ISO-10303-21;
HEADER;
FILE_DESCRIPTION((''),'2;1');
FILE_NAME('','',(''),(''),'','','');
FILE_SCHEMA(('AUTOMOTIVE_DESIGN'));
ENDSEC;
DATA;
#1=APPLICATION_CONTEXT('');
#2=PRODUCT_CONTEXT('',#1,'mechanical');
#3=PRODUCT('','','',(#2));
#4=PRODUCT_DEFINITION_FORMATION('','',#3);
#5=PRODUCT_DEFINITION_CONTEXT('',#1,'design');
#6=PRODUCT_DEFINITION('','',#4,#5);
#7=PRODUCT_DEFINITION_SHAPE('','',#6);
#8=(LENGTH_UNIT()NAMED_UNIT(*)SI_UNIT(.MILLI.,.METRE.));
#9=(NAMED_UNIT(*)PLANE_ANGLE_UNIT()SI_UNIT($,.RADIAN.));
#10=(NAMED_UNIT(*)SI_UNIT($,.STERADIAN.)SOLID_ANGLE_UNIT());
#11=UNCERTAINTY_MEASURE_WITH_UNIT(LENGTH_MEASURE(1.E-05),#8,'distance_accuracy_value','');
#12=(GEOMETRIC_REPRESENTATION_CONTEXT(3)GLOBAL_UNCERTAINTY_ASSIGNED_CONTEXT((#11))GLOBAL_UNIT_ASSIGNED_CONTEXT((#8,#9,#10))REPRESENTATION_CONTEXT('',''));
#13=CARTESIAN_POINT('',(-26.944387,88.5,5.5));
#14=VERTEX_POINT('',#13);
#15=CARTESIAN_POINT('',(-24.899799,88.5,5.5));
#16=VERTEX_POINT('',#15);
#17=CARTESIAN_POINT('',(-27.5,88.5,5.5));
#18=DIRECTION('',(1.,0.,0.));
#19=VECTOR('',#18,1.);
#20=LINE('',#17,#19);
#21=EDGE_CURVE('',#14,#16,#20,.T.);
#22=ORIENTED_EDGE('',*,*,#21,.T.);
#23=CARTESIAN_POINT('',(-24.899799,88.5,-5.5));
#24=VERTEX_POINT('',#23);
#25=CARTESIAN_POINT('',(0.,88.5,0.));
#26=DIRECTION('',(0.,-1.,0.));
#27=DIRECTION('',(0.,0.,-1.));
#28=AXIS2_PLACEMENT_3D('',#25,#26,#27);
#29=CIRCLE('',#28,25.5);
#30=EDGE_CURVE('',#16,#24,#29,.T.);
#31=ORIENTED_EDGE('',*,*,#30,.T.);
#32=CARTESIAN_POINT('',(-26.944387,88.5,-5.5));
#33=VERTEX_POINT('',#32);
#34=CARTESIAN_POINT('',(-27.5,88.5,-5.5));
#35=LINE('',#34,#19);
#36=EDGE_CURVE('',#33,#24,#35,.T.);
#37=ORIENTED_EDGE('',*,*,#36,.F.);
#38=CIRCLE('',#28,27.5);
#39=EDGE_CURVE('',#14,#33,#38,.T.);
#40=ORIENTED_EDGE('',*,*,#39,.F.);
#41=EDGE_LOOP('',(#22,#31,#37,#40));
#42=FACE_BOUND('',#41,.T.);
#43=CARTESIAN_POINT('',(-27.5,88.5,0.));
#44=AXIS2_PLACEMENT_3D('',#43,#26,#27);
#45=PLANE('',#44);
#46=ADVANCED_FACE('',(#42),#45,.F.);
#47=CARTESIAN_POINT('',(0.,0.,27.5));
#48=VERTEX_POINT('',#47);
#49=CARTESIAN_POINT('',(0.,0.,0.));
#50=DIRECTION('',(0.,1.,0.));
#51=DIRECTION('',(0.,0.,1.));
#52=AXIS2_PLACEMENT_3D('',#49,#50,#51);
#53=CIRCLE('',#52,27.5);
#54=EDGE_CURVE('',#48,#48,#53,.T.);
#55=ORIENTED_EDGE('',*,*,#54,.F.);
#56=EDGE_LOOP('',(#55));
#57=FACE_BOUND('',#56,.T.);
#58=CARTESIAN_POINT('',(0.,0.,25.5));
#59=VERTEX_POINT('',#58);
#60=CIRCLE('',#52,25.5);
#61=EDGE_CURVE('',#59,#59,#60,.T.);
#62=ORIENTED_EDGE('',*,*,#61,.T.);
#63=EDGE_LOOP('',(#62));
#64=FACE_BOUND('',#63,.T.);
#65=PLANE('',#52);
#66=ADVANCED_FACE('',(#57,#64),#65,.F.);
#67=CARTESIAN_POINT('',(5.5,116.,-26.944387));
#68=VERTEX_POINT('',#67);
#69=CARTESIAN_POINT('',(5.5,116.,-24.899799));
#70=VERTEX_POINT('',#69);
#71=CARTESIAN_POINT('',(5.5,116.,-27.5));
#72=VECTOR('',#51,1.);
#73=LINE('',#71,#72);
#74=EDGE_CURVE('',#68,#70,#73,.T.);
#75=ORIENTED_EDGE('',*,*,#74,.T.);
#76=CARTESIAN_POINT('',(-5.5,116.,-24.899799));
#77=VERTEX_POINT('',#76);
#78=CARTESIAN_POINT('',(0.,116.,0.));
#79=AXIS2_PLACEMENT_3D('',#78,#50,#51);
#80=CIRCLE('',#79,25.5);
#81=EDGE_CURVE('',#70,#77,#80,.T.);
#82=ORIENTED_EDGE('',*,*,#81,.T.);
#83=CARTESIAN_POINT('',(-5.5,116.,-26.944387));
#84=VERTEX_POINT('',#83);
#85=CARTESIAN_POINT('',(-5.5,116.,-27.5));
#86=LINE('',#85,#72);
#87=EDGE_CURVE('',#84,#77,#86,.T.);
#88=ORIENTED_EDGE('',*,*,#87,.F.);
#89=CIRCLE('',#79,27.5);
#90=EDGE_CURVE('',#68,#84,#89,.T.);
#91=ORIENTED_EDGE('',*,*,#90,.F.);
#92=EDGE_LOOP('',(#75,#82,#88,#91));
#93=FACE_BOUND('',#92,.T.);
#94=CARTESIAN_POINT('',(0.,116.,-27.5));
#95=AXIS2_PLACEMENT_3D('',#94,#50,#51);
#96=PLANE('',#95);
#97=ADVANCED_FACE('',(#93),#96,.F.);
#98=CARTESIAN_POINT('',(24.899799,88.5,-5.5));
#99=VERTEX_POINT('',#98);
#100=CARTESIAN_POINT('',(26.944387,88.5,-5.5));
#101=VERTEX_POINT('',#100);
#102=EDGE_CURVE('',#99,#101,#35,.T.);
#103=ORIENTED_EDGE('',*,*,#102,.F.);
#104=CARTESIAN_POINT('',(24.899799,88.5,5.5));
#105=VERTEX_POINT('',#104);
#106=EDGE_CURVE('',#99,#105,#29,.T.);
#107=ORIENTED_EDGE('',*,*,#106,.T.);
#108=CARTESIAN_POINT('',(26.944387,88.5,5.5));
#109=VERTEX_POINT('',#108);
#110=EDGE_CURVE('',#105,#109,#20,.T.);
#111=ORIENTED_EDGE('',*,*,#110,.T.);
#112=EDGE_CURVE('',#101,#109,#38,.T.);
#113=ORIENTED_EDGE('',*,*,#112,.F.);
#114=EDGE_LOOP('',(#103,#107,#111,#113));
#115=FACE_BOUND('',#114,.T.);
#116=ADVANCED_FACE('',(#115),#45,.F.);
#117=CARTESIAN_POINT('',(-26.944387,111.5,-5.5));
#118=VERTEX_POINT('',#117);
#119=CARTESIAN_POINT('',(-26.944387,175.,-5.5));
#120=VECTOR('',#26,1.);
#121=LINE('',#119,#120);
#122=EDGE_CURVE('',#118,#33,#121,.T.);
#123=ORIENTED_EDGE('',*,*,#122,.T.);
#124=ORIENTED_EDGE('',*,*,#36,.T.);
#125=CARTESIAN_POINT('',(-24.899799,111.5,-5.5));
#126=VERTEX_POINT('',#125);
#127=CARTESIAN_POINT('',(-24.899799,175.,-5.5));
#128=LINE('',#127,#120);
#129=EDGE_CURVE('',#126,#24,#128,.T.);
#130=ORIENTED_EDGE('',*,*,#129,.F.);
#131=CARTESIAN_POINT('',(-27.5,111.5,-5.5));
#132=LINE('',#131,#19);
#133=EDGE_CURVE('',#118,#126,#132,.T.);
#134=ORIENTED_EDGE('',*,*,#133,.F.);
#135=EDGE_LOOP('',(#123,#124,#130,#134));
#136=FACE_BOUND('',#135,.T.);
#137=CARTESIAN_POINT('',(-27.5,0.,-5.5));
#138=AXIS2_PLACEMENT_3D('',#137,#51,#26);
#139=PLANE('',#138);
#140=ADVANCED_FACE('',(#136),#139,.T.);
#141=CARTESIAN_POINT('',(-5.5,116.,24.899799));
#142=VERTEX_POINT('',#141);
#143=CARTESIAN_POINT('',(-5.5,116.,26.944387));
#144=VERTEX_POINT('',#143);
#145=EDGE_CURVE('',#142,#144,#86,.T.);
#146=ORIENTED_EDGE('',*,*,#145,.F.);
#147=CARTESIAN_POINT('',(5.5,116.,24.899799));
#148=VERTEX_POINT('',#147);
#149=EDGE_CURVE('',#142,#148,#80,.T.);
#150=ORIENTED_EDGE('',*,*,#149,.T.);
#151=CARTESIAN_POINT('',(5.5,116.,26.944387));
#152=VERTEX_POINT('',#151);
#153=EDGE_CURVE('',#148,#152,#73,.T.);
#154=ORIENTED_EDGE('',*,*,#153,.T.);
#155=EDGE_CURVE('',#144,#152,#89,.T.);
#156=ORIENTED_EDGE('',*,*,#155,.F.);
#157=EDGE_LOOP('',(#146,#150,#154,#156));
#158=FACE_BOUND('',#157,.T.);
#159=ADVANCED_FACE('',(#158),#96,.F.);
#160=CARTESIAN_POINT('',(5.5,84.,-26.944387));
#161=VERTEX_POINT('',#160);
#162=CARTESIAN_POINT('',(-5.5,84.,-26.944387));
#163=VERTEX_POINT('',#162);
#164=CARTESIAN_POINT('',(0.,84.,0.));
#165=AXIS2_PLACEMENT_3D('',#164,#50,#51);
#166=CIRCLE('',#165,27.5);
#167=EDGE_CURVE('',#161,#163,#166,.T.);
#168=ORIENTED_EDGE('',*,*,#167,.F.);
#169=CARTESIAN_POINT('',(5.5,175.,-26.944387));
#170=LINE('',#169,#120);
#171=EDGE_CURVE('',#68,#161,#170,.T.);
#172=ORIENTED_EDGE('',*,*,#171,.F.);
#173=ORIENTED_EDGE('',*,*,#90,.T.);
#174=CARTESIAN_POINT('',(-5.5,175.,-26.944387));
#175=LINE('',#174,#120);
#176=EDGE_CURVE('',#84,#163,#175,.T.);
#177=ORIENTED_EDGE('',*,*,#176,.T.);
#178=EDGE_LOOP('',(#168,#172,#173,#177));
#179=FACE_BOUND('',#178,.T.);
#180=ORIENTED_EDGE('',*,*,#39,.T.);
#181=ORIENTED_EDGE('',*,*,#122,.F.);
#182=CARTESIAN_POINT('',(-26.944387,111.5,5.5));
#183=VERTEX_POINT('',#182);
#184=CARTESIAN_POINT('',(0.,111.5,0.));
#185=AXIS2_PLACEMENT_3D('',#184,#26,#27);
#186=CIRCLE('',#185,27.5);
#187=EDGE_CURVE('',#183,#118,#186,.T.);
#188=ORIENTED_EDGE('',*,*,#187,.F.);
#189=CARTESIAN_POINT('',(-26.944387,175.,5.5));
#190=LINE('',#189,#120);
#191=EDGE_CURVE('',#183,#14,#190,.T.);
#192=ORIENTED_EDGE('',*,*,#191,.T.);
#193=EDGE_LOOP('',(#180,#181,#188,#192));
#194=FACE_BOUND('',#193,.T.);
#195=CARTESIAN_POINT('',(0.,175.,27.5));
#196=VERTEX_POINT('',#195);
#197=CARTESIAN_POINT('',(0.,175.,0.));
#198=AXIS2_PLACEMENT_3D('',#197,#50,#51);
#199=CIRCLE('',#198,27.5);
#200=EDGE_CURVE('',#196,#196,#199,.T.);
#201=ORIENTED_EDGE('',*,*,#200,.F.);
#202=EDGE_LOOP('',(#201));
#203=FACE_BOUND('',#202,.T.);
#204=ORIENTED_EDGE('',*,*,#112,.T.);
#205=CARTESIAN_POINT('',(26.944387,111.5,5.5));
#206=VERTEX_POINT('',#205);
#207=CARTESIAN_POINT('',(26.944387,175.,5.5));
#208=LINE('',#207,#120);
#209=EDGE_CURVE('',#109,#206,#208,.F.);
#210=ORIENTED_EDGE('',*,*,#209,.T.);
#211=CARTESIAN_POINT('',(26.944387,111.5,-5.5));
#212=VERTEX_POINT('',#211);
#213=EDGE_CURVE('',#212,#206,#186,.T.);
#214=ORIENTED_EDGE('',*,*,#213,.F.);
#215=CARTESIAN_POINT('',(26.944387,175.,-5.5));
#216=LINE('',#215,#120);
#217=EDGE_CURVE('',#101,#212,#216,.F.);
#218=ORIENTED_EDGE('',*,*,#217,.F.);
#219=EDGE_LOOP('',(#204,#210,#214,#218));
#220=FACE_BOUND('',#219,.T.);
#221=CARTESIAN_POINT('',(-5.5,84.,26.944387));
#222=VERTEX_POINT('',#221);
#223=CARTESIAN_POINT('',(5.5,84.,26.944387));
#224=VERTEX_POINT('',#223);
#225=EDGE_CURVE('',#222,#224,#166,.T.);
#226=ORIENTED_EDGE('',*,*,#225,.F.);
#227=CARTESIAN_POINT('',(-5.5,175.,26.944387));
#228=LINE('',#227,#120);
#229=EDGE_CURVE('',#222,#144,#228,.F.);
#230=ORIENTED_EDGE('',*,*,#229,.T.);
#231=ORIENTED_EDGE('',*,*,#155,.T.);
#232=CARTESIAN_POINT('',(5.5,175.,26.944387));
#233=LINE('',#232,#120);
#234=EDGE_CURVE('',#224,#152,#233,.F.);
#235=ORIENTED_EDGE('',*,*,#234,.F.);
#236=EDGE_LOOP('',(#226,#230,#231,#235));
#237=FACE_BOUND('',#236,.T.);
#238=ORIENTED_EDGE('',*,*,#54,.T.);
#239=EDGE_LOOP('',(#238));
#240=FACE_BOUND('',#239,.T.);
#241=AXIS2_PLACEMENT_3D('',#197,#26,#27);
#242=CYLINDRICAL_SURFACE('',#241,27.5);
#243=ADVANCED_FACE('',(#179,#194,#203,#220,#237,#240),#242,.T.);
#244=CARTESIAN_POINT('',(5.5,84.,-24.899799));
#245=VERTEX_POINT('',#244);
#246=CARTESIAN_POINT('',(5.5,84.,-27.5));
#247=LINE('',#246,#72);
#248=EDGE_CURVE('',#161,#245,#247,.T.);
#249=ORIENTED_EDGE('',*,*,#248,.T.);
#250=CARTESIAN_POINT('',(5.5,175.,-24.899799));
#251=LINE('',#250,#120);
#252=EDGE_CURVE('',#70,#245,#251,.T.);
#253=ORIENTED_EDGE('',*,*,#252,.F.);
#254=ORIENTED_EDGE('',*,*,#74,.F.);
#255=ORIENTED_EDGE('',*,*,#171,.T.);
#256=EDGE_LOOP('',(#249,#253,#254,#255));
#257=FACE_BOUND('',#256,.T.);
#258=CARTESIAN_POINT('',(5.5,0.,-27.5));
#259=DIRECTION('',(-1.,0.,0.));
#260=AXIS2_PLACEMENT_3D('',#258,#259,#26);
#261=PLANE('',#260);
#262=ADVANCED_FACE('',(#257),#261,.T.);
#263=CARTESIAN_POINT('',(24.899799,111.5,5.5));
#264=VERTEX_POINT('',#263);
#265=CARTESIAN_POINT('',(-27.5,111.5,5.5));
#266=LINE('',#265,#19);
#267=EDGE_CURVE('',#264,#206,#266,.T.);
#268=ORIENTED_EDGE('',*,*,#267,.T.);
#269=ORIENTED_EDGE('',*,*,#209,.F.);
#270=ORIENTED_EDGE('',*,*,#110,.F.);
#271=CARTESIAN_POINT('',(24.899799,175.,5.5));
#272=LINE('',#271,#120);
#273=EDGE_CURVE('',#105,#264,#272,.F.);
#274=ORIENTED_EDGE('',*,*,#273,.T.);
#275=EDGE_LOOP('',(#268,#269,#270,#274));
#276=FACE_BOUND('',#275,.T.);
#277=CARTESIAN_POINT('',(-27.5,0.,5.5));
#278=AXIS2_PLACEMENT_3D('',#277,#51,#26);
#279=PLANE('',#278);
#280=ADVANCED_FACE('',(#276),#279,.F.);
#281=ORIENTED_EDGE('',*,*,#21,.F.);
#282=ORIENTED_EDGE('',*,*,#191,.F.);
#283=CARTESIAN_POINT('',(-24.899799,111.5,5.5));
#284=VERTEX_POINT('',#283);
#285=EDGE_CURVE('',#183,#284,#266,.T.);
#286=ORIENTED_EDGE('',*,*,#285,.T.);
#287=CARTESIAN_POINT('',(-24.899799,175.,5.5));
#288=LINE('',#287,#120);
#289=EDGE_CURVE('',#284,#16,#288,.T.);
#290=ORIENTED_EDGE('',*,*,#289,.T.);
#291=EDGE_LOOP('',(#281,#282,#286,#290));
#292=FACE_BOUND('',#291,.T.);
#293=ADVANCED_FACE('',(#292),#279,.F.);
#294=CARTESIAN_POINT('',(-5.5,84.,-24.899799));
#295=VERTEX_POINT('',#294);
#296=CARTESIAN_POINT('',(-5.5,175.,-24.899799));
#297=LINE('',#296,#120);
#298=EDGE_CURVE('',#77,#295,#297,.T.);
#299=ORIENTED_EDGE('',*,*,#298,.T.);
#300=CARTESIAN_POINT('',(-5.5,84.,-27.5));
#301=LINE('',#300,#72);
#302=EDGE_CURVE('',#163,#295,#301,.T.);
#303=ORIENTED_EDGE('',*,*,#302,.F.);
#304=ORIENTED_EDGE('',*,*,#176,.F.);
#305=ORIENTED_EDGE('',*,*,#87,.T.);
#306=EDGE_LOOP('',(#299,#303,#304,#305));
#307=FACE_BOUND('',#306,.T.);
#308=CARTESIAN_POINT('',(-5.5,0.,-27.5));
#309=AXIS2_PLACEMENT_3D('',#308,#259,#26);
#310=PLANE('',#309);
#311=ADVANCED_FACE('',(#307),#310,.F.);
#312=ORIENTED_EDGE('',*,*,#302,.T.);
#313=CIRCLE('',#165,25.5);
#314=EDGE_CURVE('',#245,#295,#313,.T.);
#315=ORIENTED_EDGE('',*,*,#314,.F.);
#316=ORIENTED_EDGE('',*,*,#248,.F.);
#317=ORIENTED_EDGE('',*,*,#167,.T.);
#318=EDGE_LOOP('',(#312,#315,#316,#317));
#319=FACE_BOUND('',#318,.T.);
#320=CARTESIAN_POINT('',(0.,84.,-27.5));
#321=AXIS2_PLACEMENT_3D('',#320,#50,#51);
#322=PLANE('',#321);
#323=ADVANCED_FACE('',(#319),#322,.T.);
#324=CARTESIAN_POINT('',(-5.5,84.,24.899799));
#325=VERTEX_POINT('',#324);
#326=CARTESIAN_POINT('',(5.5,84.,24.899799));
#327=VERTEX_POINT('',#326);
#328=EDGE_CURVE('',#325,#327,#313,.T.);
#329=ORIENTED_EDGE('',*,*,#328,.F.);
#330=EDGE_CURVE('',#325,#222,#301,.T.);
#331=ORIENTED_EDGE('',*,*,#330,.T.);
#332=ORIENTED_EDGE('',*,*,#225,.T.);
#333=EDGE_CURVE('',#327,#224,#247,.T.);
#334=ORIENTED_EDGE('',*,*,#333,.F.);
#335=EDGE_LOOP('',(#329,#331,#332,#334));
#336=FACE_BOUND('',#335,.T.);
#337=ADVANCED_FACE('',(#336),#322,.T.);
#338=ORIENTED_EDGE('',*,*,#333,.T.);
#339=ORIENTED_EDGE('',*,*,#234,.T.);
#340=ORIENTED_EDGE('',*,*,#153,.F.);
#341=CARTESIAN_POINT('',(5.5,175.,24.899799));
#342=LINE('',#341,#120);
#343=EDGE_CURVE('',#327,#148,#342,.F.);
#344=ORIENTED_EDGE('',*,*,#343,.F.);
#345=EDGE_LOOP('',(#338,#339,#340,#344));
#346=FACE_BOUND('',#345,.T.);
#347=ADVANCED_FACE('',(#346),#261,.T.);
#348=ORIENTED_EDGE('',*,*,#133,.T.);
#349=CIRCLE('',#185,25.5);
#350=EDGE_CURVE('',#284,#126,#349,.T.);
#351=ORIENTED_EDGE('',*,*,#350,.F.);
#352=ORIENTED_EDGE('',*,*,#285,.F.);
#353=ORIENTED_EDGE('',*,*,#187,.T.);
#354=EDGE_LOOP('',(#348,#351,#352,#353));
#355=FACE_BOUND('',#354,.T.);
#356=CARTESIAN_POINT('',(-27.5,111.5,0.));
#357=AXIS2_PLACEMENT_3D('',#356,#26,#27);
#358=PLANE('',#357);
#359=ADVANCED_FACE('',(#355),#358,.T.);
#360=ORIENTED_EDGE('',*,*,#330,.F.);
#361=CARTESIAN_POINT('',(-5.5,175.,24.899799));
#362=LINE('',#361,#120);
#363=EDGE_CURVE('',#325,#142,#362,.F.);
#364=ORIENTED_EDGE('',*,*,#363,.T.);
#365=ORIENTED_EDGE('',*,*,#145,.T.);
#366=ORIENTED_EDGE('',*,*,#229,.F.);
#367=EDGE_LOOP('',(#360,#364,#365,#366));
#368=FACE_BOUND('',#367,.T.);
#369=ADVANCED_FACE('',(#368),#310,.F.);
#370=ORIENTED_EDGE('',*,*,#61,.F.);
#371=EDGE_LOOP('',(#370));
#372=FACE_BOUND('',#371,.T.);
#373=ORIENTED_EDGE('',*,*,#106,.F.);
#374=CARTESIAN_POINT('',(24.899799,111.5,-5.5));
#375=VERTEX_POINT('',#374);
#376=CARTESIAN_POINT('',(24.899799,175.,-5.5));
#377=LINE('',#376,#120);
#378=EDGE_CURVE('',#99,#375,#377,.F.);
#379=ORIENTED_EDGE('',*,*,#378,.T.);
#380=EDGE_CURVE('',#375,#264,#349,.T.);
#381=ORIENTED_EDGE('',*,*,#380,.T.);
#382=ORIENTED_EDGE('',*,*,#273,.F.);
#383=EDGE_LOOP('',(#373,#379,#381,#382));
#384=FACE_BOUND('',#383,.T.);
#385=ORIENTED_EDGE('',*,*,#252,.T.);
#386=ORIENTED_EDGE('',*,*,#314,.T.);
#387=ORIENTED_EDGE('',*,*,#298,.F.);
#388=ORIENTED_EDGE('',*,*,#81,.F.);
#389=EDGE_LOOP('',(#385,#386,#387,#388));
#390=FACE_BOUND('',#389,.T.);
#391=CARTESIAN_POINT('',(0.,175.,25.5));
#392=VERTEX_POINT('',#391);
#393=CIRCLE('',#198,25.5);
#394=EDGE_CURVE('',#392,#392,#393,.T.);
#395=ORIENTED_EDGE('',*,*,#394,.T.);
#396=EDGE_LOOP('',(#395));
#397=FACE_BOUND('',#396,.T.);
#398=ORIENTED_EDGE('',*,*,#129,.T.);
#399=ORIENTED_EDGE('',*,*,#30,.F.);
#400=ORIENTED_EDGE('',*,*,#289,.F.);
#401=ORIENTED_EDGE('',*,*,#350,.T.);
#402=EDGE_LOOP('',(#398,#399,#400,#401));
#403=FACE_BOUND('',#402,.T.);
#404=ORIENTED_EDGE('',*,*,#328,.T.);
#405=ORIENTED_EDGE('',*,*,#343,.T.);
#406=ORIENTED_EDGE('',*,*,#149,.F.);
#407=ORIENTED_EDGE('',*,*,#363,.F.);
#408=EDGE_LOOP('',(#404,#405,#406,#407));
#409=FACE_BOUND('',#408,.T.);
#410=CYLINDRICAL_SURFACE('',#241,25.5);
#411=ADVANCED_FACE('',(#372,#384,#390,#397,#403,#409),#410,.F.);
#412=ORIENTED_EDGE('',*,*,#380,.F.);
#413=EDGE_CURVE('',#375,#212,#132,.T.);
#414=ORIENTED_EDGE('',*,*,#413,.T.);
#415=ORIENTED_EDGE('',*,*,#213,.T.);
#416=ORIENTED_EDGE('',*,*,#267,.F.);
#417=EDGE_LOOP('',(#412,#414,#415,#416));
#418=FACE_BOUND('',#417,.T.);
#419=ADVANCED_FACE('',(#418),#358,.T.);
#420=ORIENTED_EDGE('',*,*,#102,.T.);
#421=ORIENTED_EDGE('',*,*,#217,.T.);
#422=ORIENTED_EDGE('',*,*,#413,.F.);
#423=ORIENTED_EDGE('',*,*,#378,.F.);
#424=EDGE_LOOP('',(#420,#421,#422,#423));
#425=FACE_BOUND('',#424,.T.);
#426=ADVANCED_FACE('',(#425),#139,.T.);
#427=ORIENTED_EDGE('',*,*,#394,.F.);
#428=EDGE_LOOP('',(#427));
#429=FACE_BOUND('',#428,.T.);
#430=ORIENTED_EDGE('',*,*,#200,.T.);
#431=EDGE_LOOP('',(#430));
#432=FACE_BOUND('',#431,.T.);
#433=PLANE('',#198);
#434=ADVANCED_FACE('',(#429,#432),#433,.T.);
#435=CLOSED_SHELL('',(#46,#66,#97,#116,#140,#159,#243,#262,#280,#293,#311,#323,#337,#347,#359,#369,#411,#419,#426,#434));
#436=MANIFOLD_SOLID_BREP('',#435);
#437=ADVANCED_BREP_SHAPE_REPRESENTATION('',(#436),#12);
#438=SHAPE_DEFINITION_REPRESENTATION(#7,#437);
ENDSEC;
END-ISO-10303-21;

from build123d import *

# Parameters (mm, degrees)
SKETCH1_R               = 27.5
SKETCH1_R_2             = 25.5
BOSS_EXTRUDE1_DEPTH     = 175
CUT_EXTRUDE1_DEPTH      = 180.26935042
CUT_EXTRUDE1_DEPTH_BACK = 180.26935042
SKETCH3_W               = 11
SKETCH3_H               = 23
CUT_EXTRUDE2_DEPTH      = 180.26935042
CUT_EXTRUDE2_DEPTH_BACK = 180.26935042
SKETCH4_W               = 11
SKETCH4_H               = 32


with BuildPart() as part:
    # Sketch1 → Boss-Extrude1 (new body)
    with BuildSketch(Plane(origin=(0, 0, 0), x_dir=(1, 0, 0), z_dir=(0, 1, 0))):
        with Locations(Location((0, 0, 0), (0, 0, 270))):
            Circle(SKETCH1_R)
        with Locations(Location((0, 0, 0), (0, 0, 270))):
            Circle(SKETCH1_R_2, mode=Mode.SUBTRACT)
    extrude(amount=BOSS_EXTRUDE1_DEPTH)

    # Sketch3 → Cut-Extrude1 (cut, two sides: drawn at the far end of the back side and taken through both)
    with BuildSketch(Plane(origin=(0, 0, 0), x_dir=(0, 0, -1), z_dir=(1, 0, 0)).offset(-CUT_EXTRUDE1_DEPTH_BACK)):
        with Locations((0, 100)):
            Rectangle(SKETCH3_W, SKETCH3_H)
    extrude(amount=CUT_EXTRUDE1_DEPTH + CUT_EXTRUDE1_DEPTH_BACK, mode=Mode.SUBTRACT)

    # Sketch4 → Cut-Extrude2 (cut, two sides: drawn at the far end of the back side and taken through both)
    with BuildSketch(Plane.XY.offset(-CUT_EXTRUDE2_DEPTH_BACK)):
        with Locations((0, 100)):
            Rectangle(SKETCH4_W, SKETCH4_H)
    extrude(amount=CUT_EXTRUDE2_DEPTH + CUT_EXTRUDE2_DEPTH_BACK, mode=Mode.SUBTRACT)


solid = part.part
